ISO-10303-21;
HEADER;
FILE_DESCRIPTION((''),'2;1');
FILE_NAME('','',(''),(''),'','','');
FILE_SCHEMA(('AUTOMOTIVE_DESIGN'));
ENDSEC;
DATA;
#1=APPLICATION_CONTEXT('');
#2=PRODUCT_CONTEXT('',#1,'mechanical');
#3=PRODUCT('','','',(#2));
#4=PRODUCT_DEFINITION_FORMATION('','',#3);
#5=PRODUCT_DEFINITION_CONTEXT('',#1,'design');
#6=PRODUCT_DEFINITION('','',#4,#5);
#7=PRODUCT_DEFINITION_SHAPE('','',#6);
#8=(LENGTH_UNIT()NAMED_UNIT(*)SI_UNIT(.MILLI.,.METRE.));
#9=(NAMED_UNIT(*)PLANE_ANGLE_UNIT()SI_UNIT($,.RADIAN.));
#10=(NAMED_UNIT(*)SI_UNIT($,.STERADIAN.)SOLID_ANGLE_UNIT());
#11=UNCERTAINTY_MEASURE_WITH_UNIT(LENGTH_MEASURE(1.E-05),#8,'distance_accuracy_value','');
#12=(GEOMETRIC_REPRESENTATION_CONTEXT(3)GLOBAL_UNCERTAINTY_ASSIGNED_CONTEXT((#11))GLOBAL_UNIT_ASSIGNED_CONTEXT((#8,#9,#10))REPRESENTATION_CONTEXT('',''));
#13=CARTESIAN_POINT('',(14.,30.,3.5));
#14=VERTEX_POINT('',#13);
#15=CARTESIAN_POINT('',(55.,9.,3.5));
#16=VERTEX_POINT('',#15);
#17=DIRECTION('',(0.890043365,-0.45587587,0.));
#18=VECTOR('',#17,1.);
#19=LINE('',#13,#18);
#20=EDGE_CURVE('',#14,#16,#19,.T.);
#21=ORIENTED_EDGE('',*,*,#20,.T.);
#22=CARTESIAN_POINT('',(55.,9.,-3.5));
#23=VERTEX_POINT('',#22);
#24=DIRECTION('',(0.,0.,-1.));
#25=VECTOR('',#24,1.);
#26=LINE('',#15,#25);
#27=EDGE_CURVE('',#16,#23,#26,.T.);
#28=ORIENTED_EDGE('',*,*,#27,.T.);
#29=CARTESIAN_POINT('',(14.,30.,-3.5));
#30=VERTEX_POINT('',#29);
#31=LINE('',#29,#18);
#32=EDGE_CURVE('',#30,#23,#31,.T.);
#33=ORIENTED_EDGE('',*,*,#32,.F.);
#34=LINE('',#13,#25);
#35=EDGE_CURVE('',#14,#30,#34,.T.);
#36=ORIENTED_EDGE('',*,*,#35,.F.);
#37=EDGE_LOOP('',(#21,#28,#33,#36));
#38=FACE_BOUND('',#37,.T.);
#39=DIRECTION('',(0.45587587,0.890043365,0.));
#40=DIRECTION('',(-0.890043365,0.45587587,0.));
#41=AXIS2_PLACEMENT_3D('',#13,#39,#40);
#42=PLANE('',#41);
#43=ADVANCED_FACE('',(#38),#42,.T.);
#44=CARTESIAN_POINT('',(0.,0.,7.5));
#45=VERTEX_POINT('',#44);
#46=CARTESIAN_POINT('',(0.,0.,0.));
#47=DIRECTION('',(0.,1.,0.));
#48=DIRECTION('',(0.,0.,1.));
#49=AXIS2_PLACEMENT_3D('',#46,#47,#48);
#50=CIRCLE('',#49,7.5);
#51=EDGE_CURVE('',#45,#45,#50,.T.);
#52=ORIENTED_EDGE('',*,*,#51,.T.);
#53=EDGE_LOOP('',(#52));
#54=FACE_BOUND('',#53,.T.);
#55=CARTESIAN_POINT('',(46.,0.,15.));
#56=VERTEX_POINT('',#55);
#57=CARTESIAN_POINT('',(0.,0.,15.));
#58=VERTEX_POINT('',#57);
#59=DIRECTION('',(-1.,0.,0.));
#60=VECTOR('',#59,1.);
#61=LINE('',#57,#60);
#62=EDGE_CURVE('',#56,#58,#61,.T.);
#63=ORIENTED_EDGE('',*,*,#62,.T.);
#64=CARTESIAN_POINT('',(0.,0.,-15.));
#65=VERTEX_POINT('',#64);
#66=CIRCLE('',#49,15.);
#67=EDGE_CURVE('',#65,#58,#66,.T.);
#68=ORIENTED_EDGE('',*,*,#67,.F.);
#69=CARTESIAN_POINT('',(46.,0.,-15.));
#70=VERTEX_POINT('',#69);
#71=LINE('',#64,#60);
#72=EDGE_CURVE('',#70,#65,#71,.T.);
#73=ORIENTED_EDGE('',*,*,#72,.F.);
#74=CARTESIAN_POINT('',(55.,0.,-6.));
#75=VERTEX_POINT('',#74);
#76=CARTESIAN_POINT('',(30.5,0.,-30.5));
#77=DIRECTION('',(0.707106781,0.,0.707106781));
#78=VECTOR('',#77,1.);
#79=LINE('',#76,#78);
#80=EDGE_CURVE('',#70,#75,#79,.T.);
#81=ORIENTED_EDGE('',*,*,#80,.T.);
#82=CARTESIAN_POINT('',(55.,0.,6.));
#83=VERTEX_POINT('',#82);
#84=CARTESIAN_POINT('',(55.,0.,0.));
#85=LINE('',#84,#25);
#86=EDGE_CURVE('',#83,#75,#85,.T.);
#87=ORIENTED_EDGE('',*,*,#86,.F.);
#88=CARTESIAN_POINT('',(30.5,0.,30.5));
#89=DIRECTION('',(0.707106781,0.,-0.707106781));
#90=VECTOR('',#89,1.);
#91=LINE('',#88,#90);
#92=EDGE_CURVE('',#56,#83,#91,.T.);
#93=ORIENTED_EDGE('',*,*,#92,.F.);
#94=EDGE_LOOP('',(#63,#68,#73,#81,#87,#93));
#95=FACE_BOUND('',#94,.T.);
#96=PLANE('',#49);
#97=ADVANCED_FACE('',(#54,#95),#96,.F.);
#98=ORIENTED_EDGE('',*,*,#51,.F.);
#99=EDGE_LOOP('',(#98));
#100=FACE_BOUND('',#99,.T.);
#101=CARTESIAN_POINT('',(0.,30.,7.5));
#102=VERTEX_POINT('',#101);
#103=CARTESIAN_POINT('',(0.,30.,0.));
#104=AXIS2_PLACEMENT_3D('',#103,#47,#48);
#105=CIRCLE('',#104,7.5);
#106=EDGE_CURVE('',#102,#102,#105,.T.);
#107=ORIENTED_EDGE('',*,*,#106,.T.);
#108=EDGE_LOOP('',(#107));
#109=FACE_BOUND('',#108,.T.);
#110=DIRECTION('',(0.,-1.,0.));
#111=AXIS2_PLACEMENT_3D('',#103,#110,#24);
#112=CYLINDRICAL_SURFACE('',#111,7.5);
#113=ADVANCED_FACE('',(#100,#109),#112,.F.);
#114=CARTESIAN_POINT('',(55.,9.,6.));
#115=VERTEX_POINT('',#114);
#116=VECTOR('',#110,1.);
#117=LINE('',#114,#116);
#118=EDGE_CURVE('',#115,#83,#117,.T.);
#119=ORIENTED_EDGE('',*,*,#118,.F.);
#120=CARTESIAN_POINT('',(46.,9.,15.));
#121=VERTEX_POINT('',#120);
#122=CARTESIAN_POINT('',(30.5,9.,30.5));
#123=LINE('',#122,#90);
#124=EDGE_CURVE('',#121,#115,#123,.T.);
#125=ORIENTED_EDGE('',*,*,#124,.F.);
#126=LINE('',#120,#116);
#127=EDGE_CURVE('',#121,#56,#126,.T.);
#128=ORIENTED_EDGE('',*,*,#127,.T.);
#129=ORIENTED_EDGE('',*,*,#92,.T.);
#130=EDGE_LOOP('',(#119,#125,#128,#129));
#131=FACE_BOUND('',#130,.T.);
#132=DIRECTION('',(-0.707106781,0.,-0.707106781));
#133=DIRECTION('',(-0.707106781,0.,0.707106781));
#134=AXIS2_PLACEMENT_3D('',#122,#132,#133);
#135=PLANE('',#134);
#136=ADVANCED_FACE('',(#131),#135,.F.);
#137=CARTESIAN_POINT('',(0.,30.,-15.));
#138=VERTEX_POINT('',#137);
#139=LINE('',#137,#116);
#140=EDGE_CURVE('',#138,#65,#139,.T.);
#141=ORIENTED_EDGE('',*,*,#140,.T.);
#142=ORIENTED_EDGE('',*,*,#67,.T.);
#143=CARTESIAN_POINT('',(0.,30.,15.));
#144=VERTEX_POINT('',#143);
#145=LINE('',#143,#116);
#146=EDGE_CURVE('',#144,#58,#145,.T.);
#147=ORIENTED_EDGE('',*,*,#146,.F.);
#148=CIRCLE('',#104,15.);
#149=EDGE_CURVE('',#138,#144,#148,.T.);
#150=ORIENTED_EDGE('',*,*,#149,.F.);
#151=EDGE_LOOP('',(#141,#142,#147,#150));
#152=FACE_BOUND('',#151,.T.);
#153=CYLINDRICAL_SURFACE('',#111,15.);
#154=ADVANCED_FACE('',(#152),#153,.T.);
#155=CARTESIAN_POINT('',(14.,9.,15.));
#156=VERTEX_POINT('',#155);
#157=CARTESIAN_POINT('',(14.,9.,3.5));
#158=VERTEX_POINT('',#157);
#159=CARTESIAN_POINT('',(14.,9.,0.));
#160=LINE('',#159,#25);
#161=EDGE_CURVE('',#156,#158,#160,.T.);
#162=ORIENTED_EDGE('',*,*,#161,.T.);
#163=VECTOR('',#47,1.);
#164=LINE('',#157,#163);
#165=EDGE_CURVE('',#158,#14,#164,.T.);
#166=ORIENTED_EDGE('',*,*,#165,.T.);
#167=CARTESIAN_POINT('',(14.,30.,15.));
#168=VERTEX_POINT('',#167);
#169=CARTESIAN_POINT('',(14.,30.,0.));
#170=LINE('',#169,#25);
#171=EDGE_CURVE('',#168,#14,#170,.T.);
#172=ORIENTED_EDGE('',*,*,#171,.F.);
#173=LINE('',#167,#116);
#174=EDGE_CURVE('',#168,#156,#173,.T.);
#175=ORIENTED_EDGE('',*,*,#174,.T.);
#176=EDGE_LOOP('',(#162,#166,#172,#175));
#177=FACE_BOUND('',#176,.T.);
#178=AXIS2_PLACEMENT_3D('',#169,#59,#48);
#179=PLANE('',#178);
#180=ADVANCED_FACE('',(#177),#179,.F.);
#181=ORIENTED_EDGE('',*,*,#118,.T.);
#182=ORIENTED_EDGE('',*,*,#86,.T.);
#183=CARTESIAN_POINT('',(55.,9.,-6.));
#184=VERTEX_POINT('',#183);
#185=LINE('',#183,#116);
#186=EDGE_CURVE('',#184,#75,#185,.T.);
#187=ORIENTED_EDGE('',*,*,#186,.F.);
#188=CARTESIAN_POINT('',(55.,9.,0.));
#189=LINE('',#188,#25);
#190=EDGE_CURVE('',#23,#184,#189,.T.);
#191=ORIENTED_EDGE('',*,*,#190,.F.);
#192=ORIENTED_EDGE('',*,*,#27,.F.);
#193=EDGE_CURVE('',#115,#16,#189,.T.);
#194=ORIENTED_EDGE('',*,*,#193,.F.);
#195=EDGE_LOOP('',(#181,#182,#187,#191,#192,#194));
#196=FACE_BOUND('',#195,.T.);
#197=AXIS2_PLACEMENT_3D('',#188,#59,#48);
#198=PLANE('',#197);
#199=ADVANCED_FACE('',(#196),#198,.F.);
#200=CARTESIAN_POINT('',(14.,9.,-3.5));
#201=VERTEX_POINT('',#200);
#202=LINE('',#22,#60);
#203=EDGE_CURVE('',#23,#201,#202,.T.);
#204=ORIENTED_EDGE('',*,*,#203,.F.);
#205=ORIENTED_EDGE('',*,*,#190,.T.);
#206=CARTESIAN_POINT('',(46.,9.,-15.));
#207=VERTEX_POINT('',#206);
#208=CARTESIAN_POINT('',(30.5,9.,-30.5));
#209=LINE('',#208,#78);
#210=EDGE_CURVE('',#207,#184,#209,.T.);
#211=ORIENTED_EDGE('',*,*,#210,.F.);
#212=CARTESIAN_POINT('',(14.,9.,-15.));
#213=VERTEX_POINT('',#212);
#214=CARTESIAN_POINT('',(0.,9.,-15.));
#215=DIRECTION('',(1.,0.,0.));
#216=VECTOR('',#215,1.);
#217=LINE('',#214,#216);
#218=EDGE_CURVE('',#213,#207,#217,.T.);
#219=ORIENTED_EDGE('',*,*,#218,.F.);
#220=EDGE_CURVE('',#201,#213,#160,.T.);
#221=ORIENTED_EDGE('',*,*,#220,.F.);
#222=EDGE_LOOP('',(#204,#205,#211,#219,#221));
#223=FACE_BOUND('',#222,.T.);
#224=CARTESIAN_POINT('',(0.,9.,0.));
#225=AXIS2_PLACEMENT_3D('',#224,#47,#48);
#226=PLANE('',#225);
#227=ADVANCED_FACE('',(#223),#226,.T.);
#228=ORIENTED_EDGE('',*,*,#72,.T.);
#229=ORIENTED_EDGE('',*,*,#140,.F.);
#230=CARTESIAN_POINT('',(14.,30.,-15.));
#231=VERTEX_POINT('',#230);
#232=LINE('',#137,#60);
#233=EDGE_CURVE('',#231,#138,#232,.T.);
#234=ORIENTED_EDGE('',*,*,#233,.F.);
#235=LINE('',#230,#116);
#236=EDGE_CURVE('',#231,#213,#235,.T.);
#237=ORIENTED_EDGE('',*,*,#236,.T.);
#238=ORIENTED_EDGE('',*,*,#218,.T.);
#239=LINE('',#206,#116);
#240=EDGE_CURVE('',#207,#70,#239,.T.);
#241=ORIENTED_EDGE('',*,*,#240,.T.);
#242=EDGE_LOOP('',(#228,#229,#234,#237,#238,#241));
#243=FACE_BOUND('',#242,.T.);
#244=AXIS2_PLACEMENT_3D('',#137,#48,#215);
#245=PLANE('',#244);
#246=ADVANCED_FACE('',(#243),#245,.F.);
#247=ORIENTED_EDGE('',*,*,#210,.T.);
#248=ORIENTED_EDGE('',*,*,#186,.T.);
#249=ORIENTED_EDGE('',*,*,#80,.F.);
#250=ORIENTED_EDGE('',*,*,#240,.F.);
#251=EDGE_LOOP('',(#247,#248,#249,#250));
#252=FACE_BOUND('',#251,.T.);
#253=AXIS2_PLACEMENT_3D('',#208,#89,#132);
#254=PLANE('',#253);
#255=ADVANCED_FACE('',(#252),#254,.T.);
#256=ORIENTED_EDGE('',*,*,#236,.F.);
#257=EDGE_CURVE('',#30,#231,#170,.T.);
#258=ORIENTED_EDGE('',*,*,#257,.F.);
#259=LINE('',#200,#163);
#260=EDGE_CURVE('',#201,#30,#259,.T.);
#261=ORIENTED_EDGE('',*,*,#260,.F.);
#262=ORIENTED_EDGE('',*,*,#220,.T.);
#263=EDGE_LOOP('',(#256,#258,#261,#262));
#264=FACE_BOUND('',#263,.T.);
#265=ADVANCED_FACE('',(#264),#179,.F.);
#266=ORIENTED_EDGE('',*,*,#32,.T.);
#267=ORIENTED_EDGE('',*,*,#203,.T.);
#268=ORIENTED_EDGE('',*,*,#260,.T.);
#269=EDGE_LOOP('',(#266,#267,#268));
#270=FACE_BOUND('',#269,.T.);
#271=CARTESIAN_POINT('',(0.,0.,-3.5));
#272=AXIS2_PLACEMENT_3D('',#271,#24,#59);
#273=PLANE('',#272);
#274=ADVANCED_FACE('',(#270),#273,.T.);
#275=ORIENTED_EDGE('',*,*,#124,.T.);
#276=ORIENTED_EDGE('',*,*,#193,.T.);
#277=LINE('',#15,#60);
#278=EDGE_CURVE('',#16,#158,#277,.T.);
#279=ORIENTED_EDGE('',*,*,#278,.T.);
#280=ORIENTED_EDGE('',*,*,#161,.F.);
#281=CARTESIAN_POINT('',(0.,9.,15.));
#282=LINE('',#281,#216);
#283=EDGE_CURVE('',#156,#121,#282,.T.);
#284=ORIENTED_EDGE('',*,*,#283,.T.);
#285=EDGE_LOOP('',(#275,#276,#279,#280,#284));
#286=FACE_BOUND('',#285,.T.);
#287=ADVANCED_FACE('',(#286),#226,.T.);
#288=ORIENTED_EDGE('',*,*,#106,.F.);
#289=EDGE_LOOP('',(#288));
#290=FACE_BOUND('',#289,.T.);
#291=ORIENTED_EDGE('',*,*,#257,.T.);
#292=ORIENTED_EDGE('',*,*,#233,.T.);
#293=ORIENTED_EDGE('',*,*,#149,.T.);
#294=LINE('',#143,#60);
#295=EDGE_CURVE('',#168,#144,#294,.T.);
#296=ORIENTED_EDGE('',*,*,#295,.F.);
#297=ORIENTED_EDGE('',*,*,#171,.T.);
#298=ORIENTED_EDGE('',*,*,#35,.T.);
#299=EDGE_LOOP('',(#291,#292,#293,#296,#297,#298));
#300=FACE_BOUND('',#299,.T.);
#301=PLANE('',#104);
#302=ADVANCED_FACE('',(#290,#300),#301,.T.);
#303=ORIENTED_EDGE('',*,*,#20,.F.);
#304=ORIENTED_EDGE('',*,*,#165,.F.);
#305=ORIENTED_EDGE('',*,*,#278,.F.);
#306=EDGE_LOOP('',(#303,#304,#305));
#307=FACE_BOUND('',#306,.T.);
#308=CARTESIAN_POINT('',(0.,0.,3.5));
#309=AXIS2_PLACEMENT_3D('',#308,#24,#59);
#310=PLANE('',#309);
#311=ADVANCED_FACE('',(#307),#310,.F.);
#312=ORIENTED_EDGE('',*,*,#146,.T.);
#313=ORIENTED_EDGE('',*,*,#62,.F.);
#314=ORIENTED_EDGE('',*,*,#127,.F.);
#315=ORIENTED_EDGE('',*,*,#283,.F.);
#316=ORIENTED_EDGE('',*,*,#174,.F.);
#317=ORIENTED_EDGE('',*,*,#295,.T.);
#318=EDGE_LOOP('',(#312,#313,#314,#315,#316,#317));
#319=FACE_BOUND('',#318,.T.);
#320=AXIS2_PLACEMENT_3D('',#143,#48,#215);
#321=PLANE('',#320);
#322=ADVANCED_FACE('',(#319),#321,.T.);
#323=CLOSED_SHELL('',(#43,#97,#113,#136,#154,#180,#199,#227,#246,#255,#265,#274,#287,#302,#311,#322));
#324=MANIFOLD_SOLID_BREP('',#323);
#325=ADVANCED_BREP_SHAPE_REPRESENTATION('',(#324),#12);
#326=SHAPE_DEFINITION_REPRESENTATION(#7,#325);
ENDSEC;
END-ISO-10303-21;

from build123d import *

# Parameters (mm, degrees)
EXTRUDE_1_DEPTH = 30
EXTRUDE_2_DEPTH = 9
EXTRUDE_START   = -15
EXTRUDE_3_DEPTH = 3.5


with BuildPart() as part:
    # 스케치1 → 보스-돌출1 (new body)
    with BuildSketch(Plane(origin=(0, 0, 0), x_dir=(1, 0, 0), z_dir=(0, 1, 0))):
        with BuildLine():
            Line((0, -15), (14, -15))
            Line((14, -15), (14, 15))
            Line((14, 15), (0, 15))
            ThreePointArc((0, 15), (-15, 0), (0, -15))
        make_face()
        with BuildLine():
            ThreePointArc((7.5, 0), (5.303300859, -5.303300859), (0, -7.5))
            ThreePointArc((0, -7.5), (-7.5, 0), (0, 7.5))
            ThreePointArc((0, 7.5), (5.303300859, 5.303300859), (7.5, 0))
        make_face(mode=Mode.SUBTRACT)
    extrude(amount=EXTRUDE_1_DEPTH)

    # 스케치1<3> → 보스-돌출2 (add)
    with BuildSketch(Plane(origin=(0, 0, 0), x_dir=(1, 0, 0), z_dir=(0, 1, 0))):
        Polygon((14, 15), (14, -15), (46, -15), (55, -6), (55, 6), (46, 15), align=None)
    extrude(amount=EXTRUDE_2_DEPTH)

    # 스케치2 → 보스-돌출3 (add, symmetric)
    with BuildSketch(Plane.XY.offset(15).offset(EXTRUDE_START)):
        Polygon((14, 30), (55, 9), (14, 9), align=None)
    extrude(amount=EXTRUDE_3_DEPTH, both=True)


solid = part.part
